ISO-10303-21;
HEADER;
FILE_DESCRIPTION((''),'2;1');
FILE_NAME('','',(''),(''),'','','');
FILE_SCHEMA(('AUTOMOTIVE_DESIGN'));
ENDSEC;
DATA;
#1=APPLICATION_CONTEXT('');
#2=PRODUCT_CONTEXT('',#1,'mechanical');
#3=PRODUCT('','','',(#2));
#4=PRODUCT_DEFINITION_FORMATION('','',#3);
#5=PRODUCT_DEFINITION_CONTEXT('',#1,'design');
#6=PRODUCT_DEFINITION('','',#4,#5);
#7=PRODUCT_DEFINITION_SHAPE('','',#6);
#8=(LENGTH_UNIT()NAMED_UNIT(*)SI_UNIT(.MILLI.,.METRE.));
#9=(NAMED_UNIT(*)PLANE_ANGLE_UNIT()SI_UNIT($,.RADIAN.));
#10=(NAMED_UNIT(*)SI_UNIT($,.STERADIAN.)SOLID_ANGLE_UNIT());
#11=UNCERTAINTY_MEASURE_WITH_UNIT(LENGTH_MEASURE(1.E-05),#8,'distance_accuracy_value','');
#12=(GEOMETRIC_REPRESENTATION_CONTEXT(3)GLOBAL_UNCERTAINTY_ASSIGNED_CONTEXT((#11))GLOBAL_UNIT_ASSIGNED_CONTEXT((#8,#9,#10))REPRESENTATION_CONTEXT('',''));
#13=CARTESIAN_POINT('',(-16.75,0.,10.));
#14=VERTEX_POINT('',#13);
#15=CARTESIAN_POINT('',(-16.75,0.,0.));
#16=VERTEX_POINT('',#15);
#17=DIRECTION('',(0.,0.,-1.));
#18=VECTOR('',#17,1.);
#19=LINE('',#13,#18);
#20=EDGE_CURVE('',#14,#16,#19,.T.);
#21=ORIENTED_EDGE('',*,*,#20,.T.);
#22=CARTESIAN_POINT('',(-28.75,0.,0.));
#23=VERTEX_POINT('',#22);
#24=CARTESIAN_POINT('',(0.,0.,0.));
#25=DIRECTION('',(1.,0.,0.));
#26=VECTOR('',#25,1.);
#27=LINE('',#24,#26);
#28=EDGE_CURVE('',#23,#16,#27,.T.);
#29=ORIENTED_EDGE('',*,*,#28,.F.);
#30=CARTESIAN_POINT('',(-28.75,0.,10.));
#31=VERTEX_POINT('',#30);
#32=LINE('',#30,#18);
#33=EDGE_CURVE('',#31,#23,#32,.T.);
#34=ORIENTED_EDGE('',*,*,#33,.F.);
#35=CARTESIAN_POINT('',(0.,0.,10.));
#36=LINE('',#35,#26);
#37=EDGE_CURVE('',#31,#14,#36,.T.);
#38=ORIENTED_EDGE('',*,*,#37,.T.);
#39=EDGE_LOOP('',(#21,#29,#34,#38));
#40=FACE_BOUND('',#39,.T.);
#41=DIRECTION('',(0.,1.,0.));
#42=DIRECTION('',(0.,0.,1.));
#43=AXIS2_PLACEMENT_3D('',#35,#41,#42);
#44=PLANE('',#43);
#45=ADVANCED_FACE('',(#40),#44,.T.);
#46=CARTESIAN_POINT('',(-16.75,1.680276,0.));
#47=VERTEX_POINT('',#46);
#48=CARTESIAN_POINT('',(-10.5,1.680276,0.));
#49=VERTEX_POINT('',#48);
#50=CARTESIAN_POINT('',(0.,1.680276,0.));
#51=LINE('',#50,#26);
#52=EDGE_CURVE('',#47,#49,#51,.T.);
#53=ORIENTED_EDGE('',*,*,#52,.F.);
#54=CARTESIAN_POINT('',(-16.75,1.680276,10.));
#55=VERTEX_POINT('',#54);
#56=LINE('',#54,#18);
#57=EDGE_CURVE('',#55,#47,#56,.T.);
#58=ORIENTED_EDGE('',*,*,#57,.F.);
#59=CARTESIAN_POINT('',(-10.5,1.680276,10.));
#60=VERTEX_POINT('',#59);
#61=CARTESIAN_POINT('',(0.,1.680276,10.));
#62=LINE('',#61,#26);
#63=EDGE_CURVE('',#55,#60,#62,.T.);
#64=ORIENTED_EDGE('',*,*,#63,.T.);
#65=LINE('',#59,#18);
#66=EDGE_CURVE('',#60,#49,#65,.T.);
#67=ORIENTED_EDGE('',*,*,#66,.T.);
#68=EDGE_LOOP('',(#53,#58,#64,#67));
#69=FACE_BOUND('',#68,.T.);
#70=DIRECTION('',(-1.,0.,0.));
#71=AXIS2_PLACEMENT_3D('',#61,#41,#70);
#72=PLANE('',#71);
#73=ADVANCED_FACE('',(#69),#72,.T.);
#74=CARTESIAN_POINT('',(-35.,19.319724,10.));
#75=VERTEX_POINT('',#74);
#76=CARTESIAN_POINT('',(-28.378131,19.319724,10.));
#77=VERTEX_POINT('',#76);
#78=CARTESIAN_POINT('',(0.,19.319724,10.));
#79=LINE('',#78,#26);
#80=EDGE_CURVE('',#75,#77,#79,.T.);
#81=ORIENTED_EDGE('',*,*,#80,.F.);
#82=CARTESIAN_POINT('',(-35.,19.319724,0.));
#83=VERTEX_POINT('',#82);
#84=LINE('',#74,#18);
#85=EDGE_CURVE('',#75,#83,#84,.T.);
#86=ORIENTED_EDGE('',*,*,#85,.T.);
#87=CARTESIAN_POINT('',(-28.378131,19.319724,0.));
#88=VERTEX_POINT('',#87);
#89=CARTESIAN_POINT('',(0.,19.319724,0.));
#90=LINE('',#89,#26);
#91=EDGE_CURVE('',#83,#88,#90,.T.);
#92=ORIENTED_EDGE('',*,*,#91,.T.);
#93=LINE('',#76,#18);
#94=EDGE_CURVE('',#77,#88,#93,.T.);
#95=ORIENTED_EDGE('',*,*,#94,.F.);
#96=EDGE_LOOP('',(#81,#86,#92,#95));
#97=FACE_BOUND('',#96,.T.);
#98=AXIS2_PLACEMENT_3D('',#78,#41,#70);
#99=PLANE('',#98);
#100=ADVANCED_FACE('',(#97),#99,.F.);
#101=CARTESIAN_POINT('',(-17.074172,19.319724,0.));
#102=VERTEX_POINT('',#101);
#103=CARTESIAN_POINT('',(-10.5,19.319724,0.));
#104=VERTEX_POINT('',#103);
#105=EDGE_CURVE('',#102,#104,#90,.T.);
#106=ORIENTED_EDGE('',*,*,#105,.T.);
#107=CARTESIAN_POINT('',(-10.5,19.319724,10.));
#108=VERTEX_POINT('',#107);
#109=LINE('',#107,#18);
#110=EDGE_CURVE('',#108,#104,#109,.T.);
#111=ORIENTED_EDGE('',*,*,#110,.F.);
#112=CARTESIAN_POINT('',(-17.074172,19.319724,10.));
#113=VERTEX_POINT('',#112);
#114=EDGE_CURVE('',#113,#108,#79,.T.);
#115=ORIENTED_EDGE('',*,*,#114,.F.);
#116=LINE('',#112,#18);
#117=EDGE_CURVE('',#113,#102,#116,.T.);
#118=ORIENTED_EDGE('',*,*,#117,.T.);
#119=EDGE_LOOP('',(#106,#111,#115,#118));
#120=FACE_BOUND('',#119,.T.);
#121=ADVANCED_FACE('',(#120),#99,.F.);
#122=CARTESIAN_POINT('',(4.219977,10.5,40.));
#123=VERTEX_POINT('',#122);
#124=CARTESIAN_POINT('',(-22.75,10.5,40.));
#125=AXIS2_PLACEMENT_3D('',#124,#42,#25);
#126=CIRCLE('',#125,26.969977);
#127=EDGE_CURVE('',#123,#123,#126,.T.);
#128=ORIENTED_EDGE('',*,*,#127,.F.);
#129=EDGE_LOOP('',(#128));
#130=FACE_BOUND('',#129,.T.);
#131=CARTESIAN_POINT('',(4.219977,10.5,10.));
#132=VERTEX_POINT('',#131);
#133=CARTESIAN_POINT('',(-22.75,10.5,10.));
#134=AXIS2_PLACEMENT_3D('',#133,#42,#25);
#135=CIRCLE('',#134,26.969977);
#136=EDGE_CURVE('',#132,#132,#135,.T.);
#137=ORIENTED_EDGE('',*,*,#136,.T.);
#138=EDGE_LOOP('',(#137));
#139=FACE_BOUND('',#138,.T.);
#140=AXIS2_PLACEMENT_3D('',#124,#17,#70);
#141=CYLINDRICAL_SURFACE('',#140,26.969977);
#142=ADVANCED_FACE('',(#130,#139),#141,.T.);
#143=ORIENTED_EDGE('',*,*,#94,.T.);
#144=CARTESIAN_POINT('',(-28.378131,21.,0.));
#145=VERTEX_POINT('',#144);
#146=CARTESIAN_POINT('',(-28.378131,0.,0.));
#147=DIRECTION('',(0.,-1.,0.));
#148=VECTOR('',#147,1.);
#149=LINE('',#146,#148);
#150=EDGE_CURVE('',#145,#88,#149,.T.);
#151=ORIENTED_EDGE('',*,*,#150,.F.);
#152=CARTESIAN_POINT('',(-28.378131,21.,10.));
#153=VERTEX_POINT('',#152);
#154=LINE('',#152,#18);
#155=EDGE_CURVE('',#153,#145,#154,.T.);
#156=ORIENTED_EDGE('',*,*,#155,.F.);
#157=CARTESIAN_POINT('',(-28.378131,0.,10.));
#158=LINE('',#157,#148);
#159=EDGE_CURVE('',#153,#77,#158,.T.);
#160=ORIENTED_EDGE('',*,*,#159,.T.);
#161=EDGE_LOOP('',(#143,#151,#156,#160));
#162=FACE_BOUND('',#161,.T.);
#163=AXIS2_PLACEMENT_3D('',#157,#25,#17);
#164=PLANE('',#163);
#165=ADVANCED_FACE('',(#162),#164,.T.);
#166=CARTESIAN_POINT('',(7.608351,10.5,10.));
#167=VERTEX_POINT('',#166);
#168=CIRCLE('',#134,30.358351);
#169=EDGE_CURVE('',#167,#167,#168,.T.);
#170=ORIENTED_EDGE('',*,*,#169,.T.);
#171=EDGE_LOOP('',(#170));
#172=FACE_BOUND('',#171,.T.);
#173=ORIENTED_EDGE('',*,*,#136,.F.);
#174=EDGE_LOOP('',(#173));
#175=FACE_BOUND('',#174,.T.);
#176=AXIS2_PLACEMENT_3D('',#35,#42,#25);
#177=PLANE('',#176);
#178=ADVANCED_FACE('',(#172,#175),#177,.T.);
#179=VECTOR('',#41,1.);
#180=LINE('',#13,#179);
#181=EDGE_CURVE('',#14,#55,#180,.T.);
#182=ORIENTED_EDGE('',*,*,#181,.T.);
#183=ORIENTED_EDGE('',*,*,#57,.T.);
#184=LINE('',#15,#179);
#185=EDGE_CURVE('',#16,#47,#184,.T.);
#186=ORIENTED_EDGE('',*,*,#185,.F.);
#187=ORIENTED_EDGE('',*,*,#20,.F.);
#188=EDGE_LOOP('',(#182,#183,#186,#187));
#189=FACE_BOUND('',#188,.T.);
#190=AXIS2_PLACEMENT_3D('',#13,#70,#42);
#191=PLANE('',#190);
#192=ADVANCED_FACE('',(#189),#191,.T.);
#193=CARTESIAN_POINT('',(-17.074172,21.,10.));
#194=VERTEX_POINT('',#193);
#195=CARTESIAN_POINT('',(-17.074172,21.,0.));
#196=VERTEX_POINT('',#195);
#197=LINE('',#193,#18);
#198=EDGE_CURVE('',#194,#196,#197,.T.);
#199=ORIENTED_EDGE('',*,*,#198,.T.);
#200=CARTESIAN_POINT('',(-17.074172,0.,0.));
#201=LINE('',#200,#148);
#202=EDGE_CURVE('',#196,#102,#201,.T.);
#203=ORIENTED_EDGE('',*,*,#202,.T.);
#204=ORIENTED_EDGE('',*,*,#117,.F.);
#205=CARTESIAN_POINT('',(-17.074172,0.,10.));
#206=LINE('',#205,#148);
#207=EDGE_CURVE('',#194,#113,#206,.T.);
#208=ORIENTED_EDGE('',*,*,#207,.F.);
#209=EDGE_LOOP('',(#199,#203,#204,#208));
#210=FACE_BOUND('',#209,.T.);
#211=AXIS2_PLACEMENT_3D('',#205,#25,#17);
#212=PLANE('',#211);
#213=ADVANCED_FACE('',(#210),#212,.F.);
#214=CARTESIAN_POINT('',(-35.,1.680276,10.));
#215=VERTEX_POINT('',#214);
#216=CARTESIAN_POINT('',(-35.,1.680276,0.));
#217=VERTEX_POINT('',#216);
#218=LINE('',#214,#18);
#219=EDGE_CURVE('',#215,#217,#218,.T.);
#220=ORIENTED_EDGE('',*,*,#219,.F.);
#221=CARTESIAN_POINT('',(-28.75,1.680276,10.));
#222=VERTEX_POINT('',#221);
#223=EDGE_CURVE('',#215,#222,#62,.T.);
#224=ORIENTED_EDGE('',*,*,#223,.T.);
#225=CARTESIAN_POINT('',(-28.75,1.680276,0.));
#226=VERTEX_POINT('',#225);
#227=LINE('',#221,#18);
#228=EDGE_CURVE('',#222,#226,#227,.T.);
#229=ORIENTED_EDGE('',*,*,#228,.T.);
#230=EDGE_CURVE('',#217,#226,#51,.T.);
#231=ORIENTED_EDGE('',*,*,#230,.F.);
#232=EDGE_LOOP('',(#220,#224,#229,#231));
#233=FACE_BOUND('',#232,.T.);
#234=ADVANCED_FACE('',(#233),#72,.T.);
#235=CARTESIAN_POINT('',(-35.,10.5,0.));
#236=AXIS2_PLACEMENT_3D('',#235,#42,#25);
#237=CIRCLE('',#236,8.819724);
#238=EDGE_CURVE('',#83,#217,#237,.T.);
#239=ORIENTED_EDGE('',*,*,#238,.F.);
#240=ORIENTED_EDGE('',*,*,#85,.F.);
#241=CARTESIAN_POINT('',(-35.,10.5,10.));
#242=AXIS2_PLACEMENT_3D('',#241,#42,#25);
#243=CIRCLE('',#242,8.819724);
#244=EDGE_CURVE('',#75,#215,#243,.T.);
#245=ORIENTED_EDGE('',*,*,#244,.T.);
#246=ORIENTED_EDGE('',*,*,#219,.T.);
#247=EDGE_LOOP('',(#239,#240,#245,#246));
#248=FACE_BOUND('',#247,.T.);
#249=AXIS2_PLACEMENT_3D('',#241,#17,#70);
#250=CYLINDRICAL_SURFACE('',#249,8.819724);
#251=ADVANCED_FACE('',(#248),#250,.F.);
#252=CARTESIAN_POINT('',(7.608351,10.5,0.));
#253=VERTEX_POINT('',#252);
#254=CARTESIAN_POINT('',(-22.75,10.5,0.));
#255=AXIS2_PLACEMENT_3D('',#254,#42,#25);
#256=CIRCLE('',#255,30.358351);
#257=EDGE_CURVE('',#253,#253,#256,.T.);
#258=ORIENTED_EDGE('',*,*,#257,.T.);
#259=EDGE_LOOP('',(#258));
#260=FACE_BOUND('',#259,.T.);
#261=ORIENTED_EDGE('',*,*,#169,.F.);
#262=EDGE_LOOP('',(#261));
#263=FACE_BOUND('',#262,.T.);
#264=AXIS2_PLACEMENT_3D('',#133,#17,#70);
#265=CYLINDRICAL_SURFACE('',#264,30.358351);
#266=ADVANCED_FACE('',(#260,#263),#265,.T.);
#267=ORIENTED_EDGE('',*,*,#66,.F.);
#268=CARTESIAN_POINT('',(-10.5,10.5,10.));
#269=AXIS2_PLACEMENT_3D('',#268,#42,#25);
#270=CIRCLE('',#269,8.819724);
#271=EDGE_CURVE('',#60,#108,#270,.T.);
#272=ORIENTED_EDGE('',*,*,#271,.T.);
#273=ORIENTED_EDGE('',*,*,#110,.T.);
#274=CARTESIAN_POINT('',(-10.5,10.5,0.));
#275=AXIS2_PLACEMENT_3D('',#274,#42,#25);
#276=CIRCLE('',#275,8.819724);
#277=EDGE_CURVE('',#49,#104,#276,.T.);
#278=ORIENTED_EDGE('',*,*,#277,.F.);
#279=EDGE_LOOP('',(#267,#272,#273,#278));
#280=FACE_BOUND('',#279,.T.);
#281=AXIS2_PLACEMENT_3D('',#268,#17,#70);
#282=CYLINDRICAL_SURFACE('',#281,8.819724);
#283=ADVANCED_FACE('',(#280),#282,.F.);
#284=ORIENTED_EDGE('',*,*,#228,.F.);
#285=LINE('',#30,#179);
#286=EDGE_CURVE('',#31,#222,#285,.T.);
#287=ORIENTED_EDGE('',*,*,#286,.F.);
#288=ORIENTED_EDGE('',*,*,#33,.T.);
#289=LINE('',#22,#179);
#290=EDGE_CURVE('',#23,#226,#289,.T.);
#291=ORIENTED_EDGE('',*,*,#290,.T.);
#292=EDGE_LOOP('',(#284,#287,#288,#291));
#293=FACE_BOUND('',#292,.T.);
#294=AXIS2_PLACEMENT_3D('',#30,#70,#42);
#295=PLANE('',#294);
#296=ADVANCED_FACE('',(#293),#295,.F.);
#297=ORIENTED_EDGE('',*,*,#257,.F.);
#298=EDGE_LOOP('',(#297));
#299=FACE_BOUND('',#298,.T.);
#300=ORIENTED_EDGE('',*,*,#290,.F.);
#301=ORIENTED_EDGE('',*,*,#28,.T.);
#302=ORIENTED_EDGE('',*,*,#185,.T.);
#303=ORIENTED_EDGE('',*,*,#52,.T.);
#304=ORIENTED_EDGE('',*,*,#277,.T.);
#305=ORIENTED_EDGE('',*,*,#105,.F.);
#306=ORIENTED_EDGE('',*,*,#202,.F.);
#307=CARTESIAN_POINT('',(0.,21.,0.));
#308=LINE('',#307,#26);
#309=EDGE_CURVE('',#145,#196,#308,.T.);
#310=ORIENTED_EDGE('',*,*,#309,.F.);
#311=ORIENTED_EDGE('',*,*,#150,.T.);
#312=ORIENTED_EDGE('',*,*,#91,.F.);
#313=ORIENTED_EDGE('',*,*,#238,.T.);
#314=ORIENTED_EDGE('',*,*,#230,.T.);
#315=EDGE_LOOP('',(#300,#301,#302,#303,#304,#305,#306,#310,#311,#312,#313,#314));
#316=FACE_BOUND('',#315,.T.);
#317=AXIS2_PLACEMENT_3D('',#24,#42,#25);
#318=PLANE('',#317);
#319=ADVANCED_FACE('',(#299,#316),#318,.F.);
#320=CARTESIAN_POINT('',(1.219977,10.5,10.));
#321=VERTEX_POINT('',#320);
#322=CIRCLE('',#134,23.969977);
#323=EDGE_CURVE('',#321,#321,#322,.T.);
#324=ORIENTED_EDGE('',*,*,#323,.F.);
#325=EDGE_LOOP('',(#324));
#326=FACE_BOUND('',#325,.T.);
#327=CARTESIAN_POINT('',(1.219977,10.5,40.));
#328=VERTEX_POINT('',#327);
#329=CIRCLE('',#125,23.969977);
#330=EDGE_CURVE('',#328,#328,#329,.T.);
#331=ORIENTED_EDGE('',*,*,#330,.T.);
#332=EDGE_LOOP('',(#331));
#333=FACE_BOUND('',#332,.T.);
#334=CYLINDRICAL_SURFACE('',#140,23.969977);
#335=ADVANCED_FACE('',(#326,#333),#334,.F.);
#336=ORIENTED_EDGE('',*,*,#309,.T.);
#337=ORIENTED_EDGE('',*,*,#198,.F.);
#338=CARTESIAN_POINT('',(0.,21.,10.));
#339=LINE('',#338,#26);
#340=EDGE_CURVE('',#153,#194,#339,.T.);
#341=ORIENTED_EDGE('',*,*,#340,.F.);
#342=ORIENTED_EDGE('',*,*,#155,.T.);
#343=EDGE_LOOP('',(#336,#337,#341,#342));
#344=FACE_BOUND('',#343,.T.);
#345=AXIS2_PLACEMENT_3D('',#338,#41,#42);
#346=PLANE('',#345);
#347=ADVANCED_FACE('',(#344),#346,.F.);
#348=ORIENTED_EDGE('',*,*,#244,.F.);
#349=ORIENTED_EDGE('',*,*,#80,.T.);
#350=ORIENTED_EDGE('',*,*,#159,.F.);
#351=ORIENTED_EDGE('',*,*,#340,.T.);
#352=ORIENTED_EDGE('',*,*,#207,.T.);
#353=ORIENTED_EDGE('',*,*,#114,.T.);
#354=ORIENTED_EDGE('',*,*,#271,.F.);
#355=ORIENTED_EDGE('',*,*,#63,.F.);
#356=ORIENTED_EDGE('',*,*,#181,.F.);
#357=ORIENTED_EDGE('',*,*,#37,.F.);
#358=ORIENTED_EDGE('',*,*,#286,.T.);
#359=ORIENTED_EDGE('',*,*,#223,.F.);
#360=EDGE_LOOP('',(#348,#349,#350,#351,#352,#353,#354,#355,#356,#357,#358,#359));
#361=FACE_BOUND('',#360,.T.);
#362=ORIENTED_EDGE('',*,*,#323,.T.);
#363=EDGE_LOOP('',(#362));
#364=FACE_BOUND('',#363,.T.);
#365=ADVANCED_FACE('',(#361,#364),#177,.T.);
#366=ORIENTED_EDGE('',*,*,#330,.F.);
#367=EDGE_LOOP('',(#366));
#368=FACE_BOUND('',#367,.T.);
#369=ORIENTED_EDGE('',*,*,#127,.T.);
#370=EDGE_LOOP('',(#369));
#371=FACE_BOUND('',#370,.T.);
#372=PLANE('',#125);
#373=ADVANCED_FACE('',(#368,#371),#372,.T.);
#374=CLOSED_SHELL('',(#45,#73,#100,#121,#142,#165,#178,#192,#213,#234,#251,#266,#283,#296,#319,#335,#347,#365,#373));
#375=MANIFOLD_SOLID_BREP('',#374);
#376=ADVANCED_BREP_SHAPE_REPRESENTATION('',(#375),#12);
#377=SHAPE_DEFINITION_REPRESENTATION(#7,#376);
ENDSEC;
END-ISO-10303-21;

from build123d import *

# Parameters (mm, degrees)
SKETCH3_R           = 30.358351357
BOSS_EXTRUDE2_DEPTH = 10
SKETCH4_R           = 26.969977479
SKETCH4_R_2         = 23.969977479
BOSS_EXTRUDE3_DEPTH = 30


with BuildPart() as part:
    # Sketch3 → Boss-Extrude2 (new body)
    with BuildSketch(Plane.XY):
        with Locations((-22.75, 10.5)):
            Circle(SKETCH3_R)
        with BuildLine():
            ThreePointArc((-35, 1.680276087), (-43.819723913, 10.5), (-35, 19.319723913))
            Line((-35, 19.319723913), (-28.378131485, 19.319723913))
            Line((-28.378131485, 19.319723913), (-28.378131485, 21))
            Line((-28.378131485, 21), (-17.074172485, 21))
            Line((-17.074172485, 21), (-17.074172485, 19.319723913))
            Line((-17.074172485, 19.319723913), (-10.5, 19.319723913))
            ThreePointArc((-10.5, 19.319723913), (-1.680276087, 10.5), (-10.5, 1.680276087))
            Line((-10.5, 1.680276087), (-16.75, 1.680276087))
            Line((-16.75, 1.680276087), (-16.75, 0))
            Line((-16.75, 0), (-28.75, 0))
            Line((-28.75, 0), (-28.75, 1.680276087))
            Line((-28.75, 1.680276087), (-35, 1.680276087))
        make_face(mode=Mode.SUBTRACT)
    extrude(amount=BOSS_EXTRUDE2_DEPTH)

    # Sketch4 → Boss-Extrude3 (add)
    with BuildSketch(Plane.XY.offset(10)):
        with Locations((-22.75, 10.5)):
            Circle(SKETCH4_R)
        with Locations((-22.75, 10.5)):
            Circle(SKETCH4_R_2, mode=Mode.SUBTRACT)
    extrude(amount=BOSS_EXTRUDE3_DEPTH)


solid = part.part
